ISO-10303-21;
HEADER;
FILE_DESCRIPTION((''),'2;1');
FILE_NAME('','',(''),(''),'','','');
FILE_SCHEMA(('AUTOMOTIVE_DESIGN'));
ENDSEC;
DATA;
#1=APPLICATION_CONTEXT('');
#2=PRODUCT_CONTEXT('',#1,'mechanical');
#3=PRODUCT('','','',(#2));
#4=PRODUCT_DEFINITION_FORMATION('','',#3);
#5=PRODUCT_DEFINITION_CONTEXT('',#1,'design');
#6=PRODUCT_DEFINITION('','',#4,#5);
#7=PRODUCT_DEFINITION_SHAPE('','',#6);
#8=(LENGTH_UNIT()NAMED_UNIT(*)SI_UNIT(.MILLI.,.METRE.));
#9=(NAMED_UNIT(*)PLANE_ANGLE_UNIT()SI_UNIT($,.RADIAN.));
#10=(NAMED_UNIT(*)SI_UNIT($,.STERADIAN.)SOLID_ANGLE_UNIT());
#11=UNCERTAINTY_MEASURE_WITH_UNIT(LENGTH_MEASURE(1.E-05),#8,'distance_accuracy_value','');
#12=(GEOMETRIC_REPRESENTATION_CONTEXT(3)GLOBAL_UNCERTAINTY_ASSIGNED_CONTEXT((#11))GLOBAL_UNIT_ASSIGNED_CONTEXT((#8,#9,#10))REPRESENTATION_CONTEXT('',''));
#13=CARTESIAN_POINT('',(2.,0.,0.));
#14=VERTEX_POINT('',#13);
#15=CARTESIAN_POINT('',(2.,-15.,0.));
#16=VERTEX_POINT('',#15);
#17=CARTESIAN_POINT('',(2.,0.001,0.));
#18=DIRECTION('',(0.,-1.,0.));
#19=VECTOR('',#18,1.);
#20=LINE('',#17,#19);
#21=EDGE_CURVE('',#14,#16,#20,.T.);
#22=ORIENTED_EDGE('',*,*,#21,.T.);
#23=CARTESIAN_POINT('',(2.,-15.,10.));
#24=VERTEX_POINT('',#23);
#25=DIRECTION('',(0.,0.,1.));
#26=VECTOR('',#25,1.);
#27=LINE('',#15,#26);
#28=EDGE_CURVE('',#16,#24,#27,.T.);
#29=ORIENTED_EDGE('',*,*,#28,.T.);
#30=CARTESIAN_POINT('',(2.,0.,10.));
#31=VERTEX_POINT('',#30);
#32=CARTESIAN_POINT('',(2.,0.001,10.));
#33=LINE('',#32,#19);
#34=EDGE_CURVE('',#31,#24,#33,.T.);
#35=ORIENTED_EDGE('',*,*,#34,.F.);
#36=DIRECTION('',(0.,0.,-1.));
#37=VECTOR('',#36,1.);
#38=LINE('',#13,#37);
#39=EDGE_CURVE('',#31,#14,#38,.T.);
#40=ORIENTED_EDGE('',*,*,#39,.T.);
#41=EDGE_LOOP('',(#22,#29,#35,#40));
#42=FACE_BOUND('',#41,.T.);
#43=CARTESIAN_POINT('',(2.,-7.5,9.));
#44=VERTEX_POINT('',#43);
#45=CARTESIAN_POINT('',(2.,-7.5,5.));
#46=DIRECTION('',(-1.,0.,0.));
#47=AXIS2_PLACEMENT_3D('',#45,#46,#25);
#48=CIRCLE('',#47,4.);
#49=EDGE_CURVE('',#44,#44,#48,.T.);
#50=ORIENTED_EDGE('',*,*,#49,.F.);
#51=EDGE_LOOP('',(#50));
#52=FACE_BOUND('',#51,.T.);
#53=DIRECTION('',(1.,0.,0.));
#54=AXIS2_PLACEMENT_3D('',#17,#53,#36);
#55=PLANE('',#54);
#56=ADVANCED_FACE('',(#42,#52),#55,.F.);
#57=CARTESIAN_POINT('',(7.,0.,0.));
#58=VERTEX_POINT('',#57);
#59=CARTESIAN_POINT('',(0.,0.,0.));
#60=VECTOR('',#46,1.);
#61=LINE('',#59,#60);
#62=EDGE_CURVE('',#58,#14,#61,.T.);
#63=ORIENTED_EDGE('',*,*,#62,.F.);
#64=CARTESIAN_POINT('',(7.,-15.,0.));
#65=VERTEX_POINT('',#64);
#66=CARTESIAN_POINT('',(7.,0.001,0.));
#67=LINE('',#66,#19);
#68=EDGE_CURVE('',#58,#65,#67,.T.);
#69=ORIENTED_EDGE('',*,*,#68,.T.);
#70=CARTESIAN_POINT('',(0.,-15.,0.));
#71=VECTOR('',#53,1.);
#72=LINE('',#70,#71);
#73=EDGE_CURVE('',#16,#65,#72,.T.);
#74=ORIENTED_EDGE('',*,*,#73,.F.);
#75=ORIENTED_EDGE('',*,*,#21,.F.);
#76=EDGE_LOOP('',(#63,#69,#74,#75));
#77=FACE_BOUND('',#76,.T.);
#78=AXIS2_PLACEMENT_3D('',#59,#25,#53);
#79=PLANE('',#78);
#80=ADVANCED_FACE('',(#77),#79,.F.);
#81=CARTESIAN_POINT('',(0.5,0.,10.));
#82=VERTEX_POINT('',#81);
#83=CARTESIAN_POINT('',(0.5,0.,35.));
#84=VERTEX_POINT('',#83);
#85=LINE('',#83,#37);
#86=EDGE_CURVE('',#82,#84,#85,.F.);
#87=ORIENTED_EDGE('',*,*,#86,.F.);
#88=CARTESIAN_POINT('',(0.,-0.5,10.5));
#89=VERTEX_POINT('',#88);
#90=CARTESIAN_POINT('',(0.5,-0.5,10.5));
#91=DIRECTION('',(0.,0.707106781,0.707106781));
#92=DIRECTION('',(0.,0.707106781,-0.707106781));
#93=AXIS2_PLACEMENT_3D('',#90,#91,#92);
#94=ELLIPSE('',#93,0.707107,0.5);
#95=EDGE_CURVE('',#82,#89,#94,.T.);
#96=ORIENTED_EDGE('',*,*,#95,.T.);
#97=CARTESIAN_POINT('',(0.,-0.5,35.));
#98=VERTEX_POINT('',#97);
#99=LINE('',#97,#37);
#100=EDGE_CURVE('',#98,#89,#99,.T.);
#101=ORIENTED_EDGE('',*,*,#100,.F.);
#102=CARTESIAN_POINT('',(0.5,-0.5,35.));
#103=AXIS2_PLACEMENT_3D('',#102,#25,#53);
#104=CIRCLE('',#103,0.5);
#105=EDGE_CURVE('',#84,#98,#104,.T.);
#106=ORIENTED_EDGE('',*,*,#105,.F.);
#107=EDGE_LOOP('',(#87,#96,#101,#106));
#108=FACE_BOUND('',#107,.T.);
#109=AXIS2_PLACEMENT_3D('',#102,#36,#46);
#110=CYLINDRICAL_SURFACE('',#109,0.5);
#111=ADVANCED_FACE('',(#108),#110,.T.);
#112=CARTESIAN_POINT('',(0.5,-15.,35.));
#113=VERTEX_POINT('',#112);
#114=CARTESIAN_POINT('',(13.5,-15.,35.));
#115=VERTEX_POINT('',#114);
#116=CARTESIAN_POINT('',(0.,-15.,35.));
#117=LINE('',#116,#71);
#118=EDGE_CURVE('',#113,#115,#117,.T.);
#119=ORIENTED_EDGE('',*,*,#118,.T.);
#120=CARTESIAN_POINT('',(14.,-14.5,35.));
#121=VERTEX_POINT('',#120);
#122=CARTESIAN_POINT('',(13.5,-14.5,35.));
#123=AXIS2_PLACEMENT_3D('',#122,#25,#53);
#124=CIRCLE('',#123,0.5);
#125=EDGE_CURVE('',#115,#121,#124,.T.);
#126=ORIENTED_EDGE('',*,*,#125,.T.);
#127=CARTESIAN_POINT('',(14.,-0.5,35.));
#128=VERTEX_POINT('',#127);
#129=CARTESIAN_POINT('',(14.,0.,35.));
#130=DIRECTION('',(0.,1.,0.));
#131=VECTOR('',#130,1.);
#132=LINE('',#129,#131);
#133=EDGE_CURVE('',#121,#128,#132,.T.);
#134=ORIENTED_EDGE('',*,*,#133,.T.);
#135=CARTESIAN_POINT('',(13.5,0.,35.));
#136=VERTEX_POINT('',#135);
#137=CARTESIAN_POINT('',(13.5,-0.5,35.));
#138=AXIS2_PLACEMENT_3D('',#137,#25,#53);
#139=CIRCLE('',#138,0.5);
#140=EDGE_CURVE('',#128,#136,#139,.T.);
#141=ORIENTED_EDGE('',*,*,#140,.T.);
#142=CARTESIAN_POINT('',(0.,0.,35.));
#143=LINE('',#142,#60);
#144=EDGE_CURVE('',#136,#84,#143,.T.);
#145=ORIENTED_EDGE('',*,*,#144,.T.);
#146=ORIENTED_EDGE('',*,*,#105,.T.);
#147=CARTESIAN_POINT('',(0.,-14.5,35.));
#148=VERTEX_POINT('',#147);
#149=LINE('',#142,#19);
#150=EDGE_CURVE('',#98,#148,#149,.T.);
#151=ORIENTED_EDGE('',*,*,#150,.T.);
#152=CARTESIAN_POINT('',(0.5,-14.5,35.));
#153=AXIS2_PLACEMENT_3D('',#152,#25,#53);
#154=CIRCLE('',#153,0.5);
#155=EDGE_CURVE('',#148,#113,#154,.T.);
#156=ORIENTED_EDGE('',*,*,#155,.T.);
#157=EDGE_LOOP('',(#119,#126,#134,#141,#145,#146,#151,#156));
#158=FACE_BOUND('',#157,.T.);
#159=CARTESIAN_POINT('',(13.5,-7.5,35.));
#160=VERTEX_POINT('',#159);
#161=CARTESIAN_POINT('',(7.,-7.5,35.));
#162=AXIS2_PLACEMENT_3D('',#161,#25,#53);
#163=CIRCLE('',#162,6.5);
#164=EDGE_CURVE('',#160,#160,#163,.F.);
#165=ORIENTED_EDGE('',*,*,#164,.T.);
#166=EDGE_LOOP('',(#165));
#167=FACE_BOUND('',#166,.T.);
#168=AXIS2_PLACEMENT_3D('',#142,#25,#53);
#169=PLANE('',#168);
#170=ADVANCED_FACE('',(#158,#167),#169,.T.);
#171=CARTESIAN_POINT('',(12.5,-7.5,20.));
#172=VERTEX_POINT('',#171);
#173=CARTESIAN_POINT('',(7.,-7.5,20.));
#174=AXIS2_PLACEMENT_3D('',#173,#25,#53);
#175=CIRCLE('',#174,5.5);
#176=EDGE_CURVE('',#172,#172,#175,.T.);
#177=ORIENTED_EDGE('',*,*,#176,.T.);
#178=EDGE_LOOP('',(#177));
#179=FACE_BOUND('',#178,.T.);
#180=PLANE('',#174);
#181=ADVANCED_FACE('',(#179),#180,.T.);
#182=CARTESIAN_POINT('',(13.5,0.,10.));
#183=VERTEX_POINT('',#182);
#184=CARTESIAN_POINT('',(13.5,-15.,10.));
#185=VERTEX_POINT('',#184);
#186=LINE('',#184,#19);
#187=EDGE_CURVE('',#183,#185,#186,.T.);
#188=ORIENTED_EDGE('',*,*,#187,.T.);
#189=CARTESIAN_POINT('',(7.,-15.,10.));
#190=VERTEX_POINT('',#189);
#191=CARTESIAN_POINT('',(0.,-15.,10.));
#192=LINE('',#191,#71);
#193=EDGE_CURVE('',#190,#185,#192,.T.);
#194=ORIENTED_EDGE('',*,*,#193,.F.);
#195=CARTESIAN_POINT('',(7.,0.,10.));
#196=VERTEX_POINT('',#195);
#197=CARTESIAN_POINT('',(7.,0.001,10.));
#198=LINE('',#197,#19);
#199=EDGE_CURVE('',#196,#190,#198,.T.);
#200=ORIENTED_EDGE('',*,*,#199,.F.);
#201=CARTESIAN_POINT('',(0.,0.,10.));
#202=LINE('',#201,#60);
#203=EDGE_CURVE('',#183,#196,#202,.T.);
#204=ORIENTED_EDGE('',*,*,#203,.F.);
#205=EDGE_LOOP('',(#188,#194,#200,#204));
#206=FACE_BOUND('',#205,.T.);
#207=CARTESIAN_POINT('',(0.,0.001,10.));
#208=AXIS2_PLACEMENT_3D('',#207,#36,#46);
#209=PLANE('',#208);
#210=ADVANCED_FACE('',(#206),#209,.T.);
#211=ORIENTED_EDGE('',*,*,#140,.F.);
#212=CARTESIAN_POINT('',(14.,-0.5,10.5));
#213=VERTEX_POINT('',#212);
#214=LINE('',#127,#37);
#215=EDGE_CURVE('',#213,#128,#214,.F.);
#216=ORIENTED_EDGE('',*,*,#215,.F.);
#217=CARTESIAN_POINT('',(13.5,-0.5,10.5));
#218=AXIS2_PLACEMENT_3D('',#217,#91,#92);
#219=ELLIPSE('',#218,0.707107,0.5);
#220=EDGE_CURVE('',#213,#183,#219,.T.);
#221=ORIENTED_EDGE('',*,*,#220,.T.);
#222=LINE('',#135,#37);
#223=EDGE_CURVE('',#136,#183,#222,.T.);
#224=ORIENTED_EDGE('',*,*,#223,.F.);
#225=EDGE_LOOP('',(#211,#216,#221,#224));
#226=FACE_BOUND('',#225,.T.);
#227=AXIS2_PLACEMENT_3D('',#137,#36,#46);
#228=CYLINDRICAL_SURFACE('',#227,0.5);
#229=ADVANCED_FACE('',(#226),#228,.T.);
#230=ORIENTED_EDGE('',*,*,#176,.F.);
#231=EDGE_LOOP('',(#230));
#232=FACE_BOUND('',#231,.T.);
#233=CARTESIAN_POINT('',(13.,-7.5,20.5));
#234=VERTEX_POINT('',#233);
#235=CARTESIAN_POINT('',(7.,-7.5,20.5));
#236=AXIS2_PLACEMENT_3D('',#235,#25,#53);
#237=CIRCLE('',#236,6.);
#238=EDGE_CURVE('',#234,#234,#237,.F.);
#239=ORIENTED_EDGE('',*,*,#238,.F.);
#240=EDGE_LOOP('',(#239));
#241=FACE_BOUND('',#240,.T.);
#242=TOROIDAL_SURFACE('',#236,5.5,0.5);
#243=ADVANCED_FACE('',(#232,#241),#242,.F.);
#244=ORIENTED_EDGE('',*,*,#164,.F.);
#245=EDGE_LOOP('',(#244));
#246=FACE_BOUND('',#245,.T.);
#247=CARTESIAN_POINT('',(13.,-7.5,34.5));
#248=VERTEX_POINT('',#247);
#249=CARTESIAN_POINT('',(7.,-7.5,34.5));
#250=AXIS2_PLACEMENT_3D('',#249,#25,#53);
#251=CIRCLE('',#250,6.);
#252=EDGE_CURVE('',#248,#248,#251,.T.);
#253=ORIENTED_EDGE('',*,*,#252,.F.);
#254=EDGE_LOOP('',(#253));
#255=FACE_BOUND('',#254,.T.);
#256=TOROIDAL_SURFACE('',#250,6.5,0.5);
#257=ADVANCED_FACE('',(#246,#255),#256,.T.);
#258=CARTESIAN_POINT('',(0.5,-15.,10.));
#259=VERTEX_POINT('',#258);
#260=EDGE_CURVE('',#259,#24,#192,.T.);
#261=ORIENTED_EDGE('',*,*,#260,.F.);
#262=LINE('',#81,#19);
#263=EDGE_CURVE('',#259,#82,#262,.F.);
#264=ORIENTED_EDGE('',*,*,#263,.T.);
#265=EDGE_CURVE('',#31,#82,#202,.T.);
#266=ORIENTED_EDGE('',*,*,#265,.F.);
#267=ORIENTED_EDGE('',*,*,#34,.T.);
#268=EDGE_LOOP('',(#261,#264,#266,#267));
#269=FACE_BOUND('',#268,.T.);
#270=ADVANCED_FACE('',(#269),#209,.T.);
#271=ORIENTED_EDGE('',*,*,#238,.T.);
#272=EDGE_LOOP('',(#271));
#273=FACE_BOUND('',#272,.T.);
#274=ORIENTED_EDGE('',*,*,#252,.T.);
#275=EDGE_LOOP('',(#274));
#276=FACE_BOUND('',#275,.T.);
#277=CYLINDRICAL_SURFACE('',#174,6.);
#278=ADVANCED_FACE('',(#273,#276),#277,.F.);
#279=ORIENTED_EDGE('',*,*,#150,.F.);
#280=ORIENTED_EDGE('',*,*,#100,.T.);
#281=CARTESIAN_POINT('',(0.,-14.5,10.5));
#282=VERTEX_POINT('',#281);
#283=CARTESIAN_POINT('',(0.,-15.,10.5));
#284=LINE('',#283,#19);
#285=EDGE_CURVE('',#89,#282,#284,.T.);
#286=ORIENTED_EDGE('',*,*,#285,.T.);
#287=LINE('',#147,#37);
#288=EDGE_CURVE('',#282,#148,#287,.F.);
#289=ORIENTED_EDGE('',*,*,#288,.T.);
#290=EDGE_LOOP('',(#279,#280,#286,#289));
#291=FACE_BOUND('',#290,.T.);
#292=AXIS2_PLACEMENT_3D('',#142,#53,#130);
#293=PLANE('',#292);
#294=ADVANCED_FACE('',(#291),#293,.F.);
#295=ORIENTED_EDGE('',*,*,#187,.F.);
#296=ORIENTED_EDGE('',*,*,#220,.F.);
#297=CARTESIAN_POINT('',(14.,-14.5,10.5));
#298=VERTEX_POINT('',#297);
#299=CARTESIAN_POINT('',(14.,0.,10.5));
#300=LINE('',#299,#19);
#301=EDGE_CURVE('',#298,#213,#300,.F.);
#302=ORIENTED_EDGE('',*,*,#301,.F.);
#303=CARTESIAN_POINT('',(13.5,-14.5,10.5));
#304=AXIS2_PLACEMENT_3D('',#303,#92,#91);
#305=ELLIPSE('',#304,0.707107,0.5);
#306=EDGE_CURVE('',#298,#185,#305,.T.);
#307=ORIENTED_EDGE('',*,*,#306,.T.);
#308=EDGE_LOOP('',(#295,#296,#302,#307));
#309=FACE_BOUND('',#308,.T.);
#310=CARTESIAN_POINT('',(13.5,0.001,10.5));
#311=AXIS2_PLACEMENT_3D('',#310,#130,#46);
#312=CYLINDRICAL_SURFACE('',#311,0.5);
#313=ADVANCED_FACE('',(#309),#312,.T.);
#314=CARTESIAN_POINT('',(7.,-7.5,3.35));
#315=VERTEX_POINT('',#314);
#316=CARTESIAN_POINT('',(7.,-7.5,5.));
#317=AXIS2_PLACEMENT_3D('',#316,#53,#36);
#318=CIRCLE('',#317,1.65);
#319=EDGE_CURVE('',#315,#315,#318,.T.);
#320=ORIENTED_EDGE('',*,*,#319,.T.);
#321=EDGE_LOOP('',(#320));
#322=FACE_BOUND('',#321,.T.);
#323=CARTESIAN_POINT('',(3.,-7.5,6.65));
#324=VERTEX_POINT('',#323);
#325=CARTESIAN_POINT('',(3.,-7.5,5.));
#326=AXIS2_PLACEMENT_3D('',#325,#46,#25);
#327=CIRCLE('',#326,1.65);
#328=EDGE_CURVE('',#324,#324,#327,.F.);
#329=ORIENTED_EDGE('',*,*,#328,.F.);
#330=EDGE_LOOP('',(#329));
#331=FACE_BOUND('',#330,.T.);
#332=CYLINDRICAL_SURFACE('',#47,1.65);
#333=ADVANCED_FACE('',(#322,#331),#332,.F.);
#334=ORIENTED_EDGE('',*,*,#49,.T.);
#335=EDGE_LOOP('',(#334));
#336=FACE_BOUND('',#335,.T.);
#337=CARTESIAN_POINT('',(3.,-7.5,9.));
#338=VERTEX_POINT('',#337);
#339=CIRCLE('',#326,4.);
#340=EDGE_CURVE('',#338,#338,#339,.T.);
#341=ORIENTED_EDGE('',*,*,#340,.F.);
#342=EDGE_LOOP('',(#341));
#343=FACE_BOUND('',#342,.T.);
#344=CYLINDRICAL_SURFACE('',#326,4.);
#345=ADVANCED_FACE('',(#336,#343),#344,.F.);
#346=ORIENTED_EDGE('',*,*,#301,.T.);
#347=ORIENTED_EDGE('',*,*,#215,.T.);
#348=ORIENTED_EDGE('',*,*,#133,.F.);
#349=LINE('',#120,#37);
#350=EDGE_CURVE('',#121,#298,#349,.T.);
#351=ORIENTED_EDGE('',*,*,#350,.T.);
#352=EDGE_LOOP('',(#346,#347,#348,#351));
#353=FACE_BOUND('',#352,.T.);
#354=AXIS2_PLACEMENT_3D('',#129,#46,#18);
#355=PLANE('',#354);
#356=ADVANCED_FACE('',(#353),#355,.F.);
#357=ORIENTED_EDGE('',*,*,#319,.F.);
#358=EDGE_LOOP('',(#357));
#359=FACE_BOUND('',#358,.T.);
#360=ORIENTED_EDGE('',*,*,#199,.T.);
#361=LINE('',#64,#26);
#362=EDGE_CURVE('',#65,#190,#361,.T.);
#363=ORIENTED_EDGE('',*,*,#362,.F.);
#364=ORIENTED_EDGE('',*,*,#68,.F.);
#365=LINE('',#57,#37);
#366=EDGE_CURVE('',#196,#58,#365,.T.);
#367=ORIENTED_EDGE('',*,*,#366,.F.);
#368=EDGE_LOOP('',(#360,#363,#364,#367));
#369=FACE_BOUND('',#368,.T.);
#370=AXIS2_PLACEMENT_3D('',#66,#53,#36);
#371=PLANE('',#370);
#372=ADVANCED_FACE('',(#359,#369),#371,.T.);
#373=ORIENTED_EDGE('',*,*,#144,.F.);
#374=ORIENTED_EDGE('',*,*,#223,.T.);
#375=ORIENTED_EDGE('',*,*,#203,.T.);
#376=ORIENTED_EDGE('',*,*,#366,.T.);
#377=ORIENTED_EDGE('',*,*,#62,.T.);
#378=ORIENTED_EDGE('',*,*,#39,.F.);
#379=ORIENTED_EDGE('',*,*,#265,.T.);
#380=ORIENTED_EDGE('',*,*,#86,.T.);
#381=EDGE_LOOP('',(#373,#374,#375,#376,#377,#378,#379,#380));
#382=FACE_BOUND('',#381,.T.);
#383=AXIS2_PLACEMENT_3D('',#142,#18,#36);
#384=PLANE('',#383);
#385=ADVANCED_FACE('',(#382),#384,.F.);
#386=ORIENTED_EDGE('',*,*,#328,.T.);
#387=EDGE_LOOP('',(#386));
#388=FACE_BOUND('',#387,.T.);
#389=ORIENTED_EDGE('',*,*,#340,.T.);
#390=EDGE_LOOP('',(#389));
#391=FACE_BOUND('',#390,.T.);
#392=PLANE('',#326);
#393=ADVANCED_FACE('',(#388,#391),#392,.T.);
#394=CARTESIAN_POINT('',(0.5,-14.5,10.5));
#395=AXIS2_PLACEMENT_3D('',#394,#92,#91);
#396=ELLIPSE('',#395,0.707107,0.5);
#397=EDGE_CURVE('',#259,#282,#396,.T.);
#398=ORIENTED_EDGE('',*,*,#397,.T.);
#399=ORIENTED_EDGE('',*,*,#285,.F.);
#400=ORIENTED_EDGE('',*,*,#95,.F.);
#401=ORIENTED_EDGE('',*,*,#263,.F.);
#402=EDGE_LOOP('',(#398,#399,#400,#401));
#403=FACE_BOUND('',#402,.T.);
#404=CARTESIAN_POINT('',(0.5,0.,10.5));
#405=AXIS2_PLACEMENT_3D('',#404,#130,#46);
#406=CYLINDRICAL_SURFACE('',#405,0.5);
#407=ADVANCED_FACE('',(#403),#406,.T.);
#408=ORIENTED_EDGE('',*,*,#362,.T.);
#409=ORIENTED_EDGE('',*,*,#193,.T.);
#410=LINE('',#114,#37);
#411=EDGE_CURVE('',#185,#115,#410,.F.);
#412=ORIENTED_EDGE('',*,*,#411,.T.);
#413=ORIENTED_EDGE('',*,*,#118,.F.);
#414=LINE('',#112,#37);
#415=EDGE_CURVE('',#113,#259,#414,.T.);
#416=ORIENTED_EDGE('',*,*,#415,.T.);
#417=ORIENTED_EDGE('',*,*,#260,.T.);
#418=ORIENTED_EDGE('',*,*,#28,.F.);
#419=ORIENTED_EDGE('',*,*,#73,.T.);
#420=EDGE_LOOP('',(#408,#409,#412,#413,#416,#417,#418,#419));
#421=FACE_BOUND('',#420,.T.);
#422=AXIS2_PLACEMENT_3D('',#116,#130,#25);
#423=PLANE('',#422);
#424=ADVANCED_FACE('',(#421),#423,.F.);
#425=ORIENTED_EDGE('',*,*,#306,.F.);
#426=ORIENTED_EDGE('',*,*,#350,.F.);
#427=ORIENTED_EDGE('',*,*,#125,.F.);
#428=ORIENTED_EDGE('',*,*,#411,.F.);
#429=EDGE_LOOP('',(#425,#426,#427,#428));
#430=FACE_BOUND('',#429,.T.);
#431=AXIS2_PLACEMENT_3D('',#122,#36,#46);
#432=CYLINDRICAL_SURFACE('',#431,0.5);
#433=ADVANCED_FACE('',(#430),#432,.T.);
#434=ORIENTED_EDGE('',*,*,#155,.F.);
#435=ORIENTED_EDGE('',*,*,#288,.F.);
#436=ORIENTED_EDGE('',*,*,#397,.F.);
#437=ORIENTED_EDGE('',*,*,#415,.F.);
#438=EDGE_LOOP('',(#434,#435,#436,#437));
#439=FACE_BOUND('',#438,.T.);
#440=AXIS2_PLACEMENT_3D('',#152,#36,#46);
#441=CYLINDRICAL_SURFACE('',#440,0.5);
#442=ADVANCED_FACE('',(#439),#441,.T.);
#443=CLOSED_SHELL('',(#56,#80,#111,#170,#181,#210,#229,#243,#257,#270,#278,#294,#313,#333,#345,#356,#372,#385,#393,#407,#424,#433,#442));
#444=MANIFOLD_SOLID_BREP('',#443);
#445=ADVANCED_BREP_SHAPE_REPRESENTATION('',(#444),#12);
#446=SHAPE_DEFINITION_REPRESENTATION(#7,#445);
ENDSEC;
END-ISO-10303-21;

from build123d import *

# Parameters (mm, degrees)
SKETCH_1_W             = 14
SKETCH_1_H             = 15
EXTRUDE_1_DEPTH        = 35
SKETCH_2_R             = 6
CUT_EXTRUDE_1_DEPTH    = 15
CUT_EXTRUDE_2_REACH    = 17
SKETCH_3_W             = 2
SKETCH_3_H             = 10
SKETCH_3_W_2           = 7
HOLE_WIZARD_M4_1_D     = 3.3
HOLE_WIZARD_M4_1_DEPTH = 5
SKETCH_4_R             = 4
CUT_EXTRUDE_3_DEPTH    = 1
FILLET_1_R             = 0.5


with BuildPart() as part:
    # 草图1 → 凸台-拉伸1 (new body)
    with BuildSketch(Plane.XY):
        with Locations((7, -7.5)):
            Rectangle(SKETCH_1_W, SKETCH_1_H)
    extrude(amount=EXTRUDE_1_DEPTH)

    # 草图2 → 切除-拉伸1 (cut)
    with BuildSketch(Plane.XY.offset(35)):
        with Locations((7, -7.5)):
            Circle(SKETCH_2_R)
    extrude(amount=-CUT_EXTRUDE_1_DEPTH, mode=Mode.SUBTRACT)

    # 草图3 → 切除-拉伸2 (cut, up to next)
    with BuildSketch(Plane.XZ.offset(15), mode=Mode.PRIVATE) as cut_extrude_2_sk1:
        with Locations((1, 5)):
            Rectangle(SKETCH_3_W, SKETCH_3_H)
    cut_extrude_2_tool1 = extrude(cut_extrude_2_sk1.sketch, amount=-CUT_EXTRUDE_2_REACH, mode=Mode.PRIVATE) & part.part
    add(cut_extrude_2_tool1.solids().sort_by_distance((1, -15, 5))[0], mode=Mode.SUBTRACT)
    # 草图3 → 切除-拉伸2 (cut, up to next)
    with BuildSketch(Plane.XZ.offset(15), mode=Mode.PRIVATE) as cut_extrude_2_sk2:
        with Locations((10.5, 5)):
            Rectangle(SKETCH_3_W_2, SKETCH_3_H)
    cut_extrude_2_tool2 = extrude(cut_extrude_2_sk2.sketch, amount=-CUT_EXTRUDE_2_REACH, mode=Mode.PRIVATE) & part.part
    add(cut_extrude_2_tool2.solids().sort_by_distance((10.5, -15, 5))[0], mode=Mode.SUBTRACT)

    # M4 螺纹孔1
    with Locations(Plane.ZY.offset(-2)):
        with Locations((5, -7.5)):
            Hole(HOLE_WIZARD_M4_1_D / 2, depth=HOLE_WIZARD_M4_1_DEPTH)

    # 草图4 → 切除-拉伸3 (cut)
    with BuildSketch(Plane.ZY.offset(-2)):
        with Locations((5, -7.5)):
            Circle(SKETCH_4_R)
    extrude(amount=-CUT_EXTRUDE_3_DEPTH, mode=Mode.SUBTRACT)

    # 圆角1
    fillet_1_edges = [part.edges().sort_by_distance(p)[0] for p in [
        (1, -7.5, 20),
        (1, -7.5, 35),
        (0, -7.5, 10),
        (14, -7.5, 10),
        (0, 0, 22.5),
        (14, 0, 22.5),
        (14, -15, 22.5),
        (0, -15, 22.5),
    ]]
    fillet(fillet_1_edges, radius=FILLET_1_R)


solid = part.part
